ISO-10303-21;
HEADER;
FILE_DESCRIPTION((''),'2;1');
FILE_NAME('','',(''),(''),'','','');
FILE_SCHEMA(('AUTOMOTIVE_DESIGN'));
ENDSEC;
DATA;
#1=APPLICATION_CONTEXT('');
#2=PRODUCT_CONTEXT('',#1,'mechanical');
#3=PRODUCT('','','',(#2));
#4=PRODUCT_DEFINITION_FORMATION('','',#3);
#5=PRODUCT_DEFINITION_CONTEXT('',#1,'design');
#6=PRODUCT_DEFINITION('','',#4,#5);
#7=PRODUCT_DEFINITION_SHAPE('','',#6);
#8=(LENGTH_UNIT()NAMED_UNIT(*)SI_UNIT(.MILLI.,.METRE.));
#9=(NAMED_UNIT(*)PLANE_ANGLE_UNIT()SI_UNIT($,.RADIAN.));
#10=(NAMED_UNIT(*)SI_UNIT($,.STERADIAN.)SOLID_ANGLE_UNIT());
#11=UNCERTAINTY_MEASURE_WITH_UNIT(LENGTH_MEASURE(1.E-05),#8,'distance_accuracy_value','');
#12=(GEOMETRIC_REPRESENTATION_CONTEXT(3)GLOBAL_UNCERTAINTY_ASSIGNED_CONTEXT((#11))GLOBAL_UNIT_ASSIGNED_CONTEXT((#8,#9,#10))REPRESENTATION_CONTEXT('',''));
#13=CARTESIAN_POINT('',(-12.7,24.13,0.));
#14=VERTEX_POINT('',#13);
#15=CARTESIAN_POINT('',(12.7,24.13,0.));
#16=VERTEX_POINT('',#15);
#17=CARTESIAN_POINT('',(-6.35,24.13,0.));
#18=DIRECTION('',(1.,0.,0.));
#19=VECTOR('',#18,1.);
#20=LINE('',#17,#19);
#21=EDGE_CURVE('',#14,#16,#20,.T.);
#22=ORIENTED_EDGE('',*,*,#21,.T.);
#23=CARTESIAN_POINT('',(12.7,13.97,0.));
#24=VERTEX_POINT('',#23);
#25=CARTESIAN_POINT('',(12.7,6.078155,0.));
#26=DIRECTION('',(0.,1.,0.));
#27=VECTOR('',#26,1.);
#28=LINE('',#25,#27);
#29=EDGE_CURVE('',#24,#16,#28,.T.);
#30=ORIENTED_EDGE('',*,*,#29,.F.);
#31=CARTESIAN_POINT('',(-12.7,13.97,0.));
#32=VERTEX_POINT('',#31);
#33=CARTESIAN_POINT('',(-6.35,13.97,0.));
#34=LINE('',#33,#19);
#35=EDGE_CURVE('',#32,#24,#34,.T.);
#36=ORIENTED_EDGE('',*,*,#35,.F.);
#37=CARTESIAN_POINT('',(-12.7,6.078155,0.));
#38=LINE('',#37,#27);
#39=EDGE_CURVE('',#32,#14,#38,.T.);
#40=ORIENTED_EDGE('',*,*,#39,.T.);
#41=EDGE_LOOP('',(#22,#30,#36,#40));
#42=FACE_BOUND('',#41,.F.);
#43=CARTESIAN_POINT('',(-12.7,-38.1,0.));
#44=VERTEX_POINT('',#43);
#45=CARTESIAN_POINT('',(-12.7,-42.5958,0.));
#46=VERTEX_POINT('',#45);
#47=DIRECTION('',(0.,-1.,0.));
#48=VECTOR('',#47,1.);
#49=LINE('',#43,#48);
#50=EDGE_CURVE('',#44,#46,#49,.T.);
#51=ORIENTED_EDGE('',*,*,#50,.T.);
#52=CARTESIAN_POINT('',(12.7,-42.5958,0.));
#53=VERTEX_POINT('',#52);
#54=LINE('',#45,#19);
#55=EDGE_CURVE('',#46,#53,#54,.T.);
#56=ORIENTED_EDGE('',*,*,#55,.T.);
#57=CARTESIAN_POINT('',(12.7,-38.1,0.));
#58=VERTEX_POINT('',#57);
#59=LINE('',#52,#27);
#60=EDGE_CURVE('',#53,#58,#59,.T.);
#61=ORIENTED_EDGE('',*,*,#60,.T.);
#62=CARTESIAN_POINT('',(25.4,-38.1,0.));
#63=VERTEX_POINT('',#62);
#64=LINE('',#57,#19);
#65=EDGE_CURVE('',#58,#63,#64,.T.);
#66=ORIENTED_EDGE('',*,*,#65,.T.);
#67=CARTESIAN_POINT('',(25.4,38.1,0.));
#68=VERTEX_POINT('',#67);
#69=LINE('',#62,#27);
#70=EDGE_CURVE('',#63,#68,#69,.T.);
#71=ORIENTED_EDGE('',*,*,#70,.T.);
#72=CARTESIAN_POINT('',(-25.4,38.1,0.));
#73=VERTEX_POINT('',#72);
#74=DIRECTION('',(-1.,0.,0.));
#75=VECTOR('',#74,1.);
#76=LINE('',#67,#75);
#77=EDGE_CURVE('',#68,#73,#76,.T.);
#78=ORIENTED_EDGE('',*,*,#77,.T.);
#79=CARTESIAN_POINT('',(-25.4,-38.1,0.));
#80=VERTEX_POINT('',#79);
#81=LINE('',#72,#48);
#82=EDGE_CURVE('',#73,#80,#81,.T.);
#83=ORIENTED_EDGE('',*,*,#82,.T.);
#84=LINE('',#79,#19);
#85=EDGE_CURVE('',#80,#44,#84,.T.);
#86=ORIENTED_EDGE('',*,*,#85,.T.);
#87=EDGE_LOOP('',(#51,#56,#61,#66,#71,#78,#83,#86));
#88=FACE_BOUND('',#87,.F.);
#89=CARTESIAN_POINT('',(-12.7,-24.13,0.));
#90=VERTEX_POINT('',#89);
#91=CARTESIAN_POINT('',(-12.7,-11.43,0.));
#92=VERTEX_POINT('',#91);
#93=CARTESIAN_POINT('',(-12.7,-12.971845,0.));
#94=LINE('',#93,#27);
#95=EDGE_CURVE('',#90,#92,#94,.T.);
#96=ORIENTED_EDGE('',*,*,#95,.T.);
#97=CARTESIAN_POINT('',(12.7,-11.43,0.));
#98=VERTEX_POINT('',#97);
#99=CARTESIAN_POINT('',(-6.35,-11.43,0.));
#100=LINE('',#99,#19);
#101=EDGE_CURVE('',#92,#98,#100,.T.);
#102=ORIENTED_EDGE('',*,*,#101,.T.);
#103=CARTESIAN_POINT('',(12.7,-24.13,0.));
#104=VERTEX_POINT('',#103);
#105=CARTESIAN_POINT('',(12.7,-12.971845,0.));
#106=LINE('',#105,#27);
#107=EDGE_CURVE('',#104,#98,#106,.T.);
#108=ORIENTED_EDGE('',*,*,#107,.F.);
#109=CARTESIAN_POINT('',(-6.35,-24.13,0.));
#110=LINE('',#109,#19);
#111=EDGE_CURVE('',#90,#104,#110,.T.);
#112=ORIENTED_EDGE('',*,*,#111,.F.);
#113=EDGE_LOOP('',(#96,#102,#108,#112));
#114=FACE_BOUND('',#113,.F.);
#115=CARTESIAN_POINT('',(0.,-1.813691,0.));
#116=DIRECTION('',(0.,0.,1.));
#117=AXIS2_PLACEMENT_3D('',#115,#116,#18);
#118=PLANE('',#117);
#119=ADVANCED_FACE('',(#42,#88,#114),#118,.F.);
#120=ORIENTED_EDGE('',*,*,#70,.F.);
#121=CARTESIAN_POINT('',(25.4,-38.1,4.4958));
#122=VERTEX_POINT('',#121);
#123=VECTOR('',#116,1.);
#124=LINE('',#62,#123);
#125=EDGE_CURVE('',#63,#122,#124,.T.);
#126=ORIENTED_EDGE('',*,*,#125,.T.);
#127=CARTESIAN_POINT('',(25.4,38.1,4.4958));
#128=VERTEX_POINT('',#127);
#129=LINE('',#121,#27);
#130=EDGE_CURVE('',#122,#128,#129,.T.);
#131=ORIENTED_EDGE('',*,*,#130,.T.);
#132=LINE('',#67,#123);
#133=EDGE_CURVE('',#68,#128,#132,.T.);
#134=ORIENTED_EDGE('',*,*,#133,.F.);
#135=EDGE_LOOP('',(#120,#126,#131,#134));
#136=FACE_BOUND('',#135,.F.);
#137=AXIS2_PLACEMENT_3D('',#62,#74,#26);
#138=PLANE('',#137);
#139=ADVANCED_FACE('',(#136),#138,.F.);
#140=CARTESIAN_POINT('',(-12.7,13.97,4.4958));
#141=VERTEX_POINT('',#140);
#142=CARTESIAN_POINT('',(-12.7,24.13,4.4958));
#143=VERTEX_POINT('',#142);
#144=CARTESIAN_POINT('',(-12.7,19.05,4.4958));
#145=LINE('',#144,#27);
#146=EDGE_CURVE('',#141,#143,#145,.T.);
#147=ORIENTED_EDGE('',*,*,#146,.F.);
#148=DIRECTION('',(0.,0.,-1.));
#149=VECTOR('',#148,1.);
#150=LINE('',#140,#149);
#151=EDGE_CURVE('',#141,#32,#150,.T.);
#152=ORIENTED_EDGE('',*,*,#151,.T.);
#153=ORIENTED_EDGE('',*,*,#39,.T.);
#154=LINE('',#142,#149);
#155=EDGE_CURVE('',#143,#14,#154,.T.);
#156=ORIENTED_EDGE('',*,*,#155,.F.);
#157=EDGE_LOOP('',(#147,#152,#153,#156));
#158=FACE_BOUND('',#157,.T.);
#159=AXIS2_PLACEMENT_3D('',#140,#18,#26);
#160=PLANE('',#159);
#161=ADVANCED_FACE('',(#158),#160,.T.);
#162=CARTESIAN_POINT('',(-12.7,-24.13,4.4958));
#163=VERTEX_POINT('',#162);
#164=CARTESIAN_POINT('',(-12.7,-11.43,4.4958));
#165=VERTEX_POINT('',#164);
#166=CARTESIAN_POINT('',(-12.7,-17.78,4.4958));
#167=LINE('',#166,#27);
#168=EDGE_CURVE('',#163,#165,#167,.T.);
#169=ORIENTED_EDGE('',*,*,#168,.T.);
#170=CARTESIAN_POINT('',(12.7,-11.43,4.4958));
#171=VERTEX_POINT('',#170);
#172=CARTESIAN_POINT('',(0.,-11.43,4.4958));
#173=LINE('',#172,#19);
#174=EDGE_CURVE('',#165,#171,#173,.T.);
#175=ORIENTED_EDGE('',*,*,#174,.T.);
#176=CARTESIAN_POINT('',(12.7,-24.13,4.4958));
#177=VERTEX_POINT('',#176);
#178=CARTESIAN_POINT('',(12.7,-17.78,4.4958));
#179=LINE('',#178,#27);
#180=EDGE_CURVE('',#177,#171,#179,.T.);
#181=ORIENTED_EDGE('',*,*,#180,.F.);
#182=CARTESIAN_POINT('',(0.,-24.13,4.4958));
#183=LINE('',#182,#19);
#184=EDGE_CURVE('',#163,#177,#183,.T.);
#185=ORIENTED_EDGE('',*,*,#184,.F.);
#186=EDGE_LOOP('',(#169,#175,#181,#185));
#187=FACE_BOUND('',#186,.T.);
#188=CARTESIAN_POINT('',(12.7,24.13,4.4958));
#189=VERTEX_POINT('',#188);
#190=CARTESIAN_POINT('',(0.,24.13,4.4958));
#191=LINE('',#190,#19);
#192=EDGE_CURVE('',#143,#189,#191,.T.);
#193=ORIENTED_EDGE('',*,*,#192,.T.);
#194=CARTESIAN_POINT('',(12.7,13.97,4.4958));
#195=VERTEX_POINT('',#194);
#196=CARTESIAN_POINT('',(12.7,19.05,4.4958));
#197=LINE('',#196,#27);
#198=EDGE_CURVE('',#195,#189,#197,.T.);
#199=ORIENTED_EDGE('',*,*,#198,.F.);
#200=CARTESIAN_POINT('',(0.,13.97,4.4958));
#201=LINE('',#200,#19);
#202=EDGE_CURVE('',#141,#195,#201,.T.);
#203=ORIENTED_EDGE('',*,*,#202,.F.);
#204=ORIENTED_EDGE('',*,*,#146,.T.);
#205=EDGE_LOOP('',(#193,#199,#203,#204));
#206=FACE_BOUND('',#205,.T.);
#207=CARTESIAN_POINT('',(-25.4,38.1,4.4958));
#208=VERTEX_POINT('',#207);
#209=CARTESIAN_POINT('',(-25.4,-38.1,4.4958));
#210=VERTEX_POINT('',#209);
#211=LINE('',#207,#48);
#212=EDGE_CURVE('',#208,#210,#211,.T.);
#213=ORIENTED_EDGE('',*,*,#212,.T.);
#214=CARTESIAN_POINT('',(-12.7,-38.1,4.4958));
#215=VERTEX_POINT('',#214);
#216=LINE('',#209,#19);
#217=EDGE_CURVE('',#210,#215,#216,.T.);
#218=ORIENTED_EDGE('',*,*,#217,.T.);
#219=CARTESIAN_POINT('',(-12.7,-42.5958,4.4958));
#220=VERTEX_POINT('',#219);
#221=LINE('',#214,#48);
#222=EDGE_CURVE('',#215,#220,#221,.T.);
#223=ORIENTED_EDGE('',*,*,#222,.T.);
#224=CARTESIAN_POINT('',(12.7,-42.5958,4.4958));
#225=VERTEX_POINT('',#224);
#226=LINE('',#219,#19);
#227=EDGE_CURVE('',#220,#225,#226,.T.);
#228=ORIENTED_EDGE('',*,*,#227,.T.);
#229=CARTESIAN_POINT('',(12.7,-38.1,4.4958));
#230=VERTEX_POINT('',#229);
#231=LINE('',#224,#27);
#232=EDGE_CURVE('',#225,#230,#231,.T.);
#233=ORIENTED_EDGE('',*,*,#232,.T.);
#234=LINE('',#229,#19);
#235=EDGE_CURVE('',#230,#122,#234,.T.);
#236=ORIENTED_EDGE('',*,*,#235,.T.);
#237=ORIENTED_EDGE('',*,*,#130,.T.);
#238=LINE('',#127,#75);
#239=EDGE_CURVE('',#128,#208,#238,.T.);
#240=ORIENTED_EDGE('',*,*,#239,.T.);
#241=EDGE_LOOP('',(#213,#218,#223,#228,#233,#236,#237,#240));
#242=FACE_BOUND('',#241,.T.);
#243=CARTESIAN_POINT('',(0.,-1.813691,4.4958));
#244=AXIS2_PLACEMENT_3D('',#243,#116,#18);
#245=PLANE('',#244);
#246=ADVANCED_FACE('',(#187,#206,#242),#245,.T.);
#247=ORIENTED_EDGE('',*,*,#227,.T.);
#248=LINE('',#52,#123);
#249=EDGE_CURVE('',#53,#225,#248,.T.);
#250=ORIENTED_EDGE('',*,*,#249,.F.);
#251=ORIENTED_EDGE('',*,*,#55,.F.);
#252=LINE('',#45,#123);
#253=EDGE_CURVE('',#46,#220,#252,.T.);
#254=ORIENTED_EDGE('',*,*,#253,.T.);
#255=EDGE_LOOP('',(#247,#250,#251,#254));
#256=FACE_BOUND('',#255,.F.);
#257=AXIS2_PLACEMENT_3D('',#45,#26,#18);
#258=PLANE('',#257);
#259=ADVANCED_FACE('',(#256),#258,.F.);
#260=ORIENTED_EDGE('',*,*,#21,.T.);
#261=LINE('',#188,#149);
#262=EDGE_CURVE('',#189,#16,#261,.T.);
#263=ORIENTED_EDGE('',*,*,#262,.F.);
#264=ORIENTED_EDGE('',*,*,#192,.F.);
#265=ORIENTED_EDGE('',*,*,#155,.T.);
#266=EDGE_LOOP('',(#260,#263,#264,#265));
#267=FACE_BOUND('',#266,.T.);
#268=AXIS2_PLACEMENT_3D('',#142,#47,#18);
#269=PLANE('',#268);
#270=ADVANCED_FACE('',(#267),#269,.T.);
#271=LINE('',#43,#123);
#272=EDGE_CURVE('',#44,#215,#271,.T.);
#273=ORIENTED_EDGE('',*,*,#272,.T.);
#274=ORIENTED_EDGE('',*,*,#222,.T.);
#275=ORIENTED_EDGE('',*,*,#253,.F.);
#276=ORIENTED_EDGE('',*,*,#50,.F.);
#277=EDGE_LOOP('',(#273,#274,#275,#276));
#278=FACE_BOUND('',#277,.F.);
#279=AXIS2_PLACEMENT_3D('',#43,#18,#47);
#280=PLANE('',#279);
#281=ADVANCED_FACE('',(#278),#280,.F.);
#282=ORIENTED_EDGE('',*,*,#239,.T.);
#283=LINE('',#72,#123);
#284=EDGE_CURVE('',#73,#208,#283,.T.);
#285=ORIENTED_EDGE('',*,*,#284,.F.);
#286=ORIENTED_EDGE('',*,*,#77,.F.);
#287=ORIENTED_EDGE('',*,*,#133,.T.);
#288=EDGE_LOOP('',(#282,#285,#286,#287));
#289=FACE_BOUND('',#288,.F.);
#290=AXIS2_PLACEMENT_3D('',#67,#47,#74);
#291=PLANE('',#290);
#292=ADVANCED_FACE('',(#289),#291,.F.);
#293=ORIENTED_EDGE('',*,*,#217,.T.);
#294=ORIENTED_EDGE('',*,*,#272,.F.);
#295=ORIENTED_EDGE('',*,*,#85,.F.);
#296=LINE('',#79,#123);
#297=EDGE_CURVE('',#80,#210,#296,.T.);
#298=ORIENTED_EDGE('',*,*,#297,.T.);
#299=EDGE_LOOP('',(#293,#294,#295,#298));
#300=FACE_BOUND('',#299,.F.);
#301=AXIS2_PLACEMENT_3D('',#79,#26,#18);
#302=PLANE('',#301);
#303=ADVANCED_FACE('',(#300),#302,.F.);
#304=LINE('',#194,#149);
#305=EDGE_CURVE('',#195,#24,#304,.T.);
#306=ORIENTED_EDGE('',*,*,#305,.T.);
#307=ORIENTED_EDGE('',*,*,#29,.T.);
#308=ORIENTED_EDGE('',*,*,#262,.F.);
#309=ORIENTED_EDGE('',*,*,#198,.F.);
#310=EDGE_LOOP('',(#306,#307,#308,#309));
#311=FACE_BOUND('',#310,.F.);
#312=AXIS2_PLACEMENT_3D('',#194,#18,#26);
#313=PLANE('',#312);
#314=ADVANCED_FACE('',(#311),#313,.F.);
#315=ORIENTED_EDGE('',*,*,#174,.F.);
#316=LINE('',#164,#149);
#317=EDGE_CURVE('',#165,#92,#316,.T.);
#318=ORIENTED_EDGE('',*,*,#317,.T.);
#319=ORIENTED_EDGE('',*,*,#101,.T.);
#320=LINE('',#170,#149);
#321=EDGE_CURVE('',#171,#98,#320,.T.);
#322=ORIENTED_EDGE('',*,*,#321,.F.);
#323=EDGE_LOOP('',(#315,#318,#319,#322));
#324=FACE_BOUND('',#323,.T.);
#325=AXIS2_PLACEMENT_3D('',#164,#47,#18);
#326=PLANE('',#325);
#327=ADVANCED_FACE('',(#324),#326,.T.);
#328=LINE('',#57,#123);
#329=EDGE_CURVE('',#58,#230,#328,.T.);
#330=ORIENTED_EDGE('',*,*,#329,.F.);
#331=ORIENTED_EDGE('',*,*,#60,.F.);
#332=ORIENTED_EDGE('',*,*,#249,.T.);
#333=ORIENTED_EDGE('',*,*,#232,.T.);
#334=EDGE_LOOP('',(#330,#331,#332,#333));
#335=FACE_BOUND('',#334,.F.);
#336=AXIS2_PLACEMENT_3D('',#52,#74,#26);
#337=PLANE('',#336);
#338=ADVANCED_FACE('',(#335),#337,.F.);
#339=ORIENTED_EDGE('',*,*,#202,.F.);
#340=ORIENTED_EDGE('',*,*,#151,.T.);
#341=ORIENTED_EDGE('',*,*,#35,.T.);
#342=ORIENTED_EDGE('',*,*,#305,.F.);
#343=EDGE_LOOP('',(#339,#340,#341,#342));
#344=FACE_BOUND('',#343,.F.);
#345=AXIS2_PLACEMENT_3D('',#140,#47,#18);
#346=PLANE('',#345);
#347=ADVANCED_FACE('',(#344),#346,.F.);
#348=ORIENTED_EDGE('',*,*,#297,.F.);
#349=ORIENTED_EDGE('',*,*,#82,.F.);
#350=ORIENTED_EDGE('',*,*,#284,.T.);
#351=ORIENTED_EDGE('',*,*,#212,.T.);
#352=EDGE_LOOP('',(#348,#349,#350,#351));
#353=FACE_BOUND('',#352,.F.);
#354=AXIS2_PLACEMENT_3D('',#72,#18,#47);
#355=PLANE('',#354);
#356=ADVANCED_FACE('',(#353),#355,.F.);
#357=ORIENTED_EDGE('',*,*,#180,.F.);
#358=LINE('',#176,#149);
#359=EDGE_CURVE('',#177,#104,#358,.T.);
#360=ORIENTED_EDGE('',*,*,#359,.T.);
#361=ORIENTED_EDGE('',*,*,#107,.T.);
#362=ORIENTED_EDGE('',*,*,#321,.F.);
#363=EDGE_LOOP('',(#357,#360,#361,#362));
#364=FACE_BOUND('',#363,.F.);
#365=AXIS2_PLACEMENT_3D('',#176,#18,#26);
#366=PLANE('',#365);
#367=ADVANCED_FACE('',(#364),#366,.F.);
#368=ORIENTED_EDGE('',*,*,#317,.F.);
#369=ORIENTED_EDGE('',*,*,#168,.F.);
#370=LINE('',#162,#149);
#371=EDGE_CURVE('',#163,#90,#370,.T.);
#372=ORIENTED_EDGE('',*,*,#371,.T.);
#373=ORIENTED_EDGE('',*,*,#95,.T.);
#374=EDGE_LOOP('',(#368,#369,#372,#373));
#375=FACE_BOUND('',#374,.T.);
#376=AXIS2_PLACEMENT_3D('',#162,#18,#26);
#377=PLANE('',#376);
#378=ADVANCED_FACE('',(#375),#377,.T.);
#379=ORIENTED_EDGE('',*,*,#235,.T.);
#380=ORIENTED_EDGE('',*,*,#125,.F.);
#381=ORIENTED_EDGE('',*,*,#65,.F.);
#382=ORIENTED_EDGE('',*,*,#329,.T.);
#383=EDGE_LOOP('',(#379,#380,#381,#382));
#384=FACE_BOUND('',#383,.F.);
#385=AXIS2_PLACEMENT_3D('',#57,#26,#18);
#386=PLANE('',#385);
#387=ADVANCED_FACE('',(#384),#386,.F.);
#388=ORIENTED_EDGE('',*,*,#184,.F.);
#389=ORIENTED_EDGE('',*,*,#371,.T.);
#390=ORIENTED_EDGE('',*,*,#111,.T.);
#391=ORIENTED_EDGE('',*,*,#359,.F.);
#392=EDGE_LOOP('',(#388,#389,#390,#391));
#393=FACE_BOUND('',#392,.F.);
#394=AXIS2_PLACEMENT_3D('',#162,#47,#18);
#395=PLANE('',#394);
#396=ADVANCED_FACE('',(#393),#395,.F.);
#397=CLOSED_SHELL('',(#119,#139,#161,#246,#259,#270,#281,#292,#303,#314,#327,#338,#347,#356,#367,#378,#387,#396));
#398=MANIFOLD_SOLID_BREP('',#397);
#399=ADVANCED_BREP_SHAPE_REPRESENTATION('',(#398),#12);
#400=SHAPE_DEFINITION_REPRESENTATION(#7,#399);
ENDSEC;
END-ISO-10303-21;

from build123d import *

# Parameters (mm, degrees)
F1_DEPTH = 4.4958
F2_W     = 25.4
F2_H     = 10.16
F2_H_2   = 12.7
F3_DEPTH = 4.4968


with BuildPart() as f1:
    # F0 (on Top) → F1 (new body)
    with BuildSketch(Plane.XY):
        Polygon((25.4, 38.1), (-25.4, 38.1), (-25.4, -38.1), (-12.7, -38.1), (-12.7, -42.5958), (12.7, -42.5958), (12.7, -38.1), (25.4, -38.1), align=None)
    extrude(amount=F1_DEPTH)

    # F2 (on face) → F3 (cut, through all)
    with BuildSketch(Plane.XY.offset(4.4958)):
        with Locations((0, 19.05)):
            Rectangle(F2_W, F2_H)
        with Locations((0, -17.78)):
            Rectangle(F2_W, F2_H_2)
    extrude(amount=-F3_DEPTH, mode=Mode.SUBTRACT)


solid = f1.part
